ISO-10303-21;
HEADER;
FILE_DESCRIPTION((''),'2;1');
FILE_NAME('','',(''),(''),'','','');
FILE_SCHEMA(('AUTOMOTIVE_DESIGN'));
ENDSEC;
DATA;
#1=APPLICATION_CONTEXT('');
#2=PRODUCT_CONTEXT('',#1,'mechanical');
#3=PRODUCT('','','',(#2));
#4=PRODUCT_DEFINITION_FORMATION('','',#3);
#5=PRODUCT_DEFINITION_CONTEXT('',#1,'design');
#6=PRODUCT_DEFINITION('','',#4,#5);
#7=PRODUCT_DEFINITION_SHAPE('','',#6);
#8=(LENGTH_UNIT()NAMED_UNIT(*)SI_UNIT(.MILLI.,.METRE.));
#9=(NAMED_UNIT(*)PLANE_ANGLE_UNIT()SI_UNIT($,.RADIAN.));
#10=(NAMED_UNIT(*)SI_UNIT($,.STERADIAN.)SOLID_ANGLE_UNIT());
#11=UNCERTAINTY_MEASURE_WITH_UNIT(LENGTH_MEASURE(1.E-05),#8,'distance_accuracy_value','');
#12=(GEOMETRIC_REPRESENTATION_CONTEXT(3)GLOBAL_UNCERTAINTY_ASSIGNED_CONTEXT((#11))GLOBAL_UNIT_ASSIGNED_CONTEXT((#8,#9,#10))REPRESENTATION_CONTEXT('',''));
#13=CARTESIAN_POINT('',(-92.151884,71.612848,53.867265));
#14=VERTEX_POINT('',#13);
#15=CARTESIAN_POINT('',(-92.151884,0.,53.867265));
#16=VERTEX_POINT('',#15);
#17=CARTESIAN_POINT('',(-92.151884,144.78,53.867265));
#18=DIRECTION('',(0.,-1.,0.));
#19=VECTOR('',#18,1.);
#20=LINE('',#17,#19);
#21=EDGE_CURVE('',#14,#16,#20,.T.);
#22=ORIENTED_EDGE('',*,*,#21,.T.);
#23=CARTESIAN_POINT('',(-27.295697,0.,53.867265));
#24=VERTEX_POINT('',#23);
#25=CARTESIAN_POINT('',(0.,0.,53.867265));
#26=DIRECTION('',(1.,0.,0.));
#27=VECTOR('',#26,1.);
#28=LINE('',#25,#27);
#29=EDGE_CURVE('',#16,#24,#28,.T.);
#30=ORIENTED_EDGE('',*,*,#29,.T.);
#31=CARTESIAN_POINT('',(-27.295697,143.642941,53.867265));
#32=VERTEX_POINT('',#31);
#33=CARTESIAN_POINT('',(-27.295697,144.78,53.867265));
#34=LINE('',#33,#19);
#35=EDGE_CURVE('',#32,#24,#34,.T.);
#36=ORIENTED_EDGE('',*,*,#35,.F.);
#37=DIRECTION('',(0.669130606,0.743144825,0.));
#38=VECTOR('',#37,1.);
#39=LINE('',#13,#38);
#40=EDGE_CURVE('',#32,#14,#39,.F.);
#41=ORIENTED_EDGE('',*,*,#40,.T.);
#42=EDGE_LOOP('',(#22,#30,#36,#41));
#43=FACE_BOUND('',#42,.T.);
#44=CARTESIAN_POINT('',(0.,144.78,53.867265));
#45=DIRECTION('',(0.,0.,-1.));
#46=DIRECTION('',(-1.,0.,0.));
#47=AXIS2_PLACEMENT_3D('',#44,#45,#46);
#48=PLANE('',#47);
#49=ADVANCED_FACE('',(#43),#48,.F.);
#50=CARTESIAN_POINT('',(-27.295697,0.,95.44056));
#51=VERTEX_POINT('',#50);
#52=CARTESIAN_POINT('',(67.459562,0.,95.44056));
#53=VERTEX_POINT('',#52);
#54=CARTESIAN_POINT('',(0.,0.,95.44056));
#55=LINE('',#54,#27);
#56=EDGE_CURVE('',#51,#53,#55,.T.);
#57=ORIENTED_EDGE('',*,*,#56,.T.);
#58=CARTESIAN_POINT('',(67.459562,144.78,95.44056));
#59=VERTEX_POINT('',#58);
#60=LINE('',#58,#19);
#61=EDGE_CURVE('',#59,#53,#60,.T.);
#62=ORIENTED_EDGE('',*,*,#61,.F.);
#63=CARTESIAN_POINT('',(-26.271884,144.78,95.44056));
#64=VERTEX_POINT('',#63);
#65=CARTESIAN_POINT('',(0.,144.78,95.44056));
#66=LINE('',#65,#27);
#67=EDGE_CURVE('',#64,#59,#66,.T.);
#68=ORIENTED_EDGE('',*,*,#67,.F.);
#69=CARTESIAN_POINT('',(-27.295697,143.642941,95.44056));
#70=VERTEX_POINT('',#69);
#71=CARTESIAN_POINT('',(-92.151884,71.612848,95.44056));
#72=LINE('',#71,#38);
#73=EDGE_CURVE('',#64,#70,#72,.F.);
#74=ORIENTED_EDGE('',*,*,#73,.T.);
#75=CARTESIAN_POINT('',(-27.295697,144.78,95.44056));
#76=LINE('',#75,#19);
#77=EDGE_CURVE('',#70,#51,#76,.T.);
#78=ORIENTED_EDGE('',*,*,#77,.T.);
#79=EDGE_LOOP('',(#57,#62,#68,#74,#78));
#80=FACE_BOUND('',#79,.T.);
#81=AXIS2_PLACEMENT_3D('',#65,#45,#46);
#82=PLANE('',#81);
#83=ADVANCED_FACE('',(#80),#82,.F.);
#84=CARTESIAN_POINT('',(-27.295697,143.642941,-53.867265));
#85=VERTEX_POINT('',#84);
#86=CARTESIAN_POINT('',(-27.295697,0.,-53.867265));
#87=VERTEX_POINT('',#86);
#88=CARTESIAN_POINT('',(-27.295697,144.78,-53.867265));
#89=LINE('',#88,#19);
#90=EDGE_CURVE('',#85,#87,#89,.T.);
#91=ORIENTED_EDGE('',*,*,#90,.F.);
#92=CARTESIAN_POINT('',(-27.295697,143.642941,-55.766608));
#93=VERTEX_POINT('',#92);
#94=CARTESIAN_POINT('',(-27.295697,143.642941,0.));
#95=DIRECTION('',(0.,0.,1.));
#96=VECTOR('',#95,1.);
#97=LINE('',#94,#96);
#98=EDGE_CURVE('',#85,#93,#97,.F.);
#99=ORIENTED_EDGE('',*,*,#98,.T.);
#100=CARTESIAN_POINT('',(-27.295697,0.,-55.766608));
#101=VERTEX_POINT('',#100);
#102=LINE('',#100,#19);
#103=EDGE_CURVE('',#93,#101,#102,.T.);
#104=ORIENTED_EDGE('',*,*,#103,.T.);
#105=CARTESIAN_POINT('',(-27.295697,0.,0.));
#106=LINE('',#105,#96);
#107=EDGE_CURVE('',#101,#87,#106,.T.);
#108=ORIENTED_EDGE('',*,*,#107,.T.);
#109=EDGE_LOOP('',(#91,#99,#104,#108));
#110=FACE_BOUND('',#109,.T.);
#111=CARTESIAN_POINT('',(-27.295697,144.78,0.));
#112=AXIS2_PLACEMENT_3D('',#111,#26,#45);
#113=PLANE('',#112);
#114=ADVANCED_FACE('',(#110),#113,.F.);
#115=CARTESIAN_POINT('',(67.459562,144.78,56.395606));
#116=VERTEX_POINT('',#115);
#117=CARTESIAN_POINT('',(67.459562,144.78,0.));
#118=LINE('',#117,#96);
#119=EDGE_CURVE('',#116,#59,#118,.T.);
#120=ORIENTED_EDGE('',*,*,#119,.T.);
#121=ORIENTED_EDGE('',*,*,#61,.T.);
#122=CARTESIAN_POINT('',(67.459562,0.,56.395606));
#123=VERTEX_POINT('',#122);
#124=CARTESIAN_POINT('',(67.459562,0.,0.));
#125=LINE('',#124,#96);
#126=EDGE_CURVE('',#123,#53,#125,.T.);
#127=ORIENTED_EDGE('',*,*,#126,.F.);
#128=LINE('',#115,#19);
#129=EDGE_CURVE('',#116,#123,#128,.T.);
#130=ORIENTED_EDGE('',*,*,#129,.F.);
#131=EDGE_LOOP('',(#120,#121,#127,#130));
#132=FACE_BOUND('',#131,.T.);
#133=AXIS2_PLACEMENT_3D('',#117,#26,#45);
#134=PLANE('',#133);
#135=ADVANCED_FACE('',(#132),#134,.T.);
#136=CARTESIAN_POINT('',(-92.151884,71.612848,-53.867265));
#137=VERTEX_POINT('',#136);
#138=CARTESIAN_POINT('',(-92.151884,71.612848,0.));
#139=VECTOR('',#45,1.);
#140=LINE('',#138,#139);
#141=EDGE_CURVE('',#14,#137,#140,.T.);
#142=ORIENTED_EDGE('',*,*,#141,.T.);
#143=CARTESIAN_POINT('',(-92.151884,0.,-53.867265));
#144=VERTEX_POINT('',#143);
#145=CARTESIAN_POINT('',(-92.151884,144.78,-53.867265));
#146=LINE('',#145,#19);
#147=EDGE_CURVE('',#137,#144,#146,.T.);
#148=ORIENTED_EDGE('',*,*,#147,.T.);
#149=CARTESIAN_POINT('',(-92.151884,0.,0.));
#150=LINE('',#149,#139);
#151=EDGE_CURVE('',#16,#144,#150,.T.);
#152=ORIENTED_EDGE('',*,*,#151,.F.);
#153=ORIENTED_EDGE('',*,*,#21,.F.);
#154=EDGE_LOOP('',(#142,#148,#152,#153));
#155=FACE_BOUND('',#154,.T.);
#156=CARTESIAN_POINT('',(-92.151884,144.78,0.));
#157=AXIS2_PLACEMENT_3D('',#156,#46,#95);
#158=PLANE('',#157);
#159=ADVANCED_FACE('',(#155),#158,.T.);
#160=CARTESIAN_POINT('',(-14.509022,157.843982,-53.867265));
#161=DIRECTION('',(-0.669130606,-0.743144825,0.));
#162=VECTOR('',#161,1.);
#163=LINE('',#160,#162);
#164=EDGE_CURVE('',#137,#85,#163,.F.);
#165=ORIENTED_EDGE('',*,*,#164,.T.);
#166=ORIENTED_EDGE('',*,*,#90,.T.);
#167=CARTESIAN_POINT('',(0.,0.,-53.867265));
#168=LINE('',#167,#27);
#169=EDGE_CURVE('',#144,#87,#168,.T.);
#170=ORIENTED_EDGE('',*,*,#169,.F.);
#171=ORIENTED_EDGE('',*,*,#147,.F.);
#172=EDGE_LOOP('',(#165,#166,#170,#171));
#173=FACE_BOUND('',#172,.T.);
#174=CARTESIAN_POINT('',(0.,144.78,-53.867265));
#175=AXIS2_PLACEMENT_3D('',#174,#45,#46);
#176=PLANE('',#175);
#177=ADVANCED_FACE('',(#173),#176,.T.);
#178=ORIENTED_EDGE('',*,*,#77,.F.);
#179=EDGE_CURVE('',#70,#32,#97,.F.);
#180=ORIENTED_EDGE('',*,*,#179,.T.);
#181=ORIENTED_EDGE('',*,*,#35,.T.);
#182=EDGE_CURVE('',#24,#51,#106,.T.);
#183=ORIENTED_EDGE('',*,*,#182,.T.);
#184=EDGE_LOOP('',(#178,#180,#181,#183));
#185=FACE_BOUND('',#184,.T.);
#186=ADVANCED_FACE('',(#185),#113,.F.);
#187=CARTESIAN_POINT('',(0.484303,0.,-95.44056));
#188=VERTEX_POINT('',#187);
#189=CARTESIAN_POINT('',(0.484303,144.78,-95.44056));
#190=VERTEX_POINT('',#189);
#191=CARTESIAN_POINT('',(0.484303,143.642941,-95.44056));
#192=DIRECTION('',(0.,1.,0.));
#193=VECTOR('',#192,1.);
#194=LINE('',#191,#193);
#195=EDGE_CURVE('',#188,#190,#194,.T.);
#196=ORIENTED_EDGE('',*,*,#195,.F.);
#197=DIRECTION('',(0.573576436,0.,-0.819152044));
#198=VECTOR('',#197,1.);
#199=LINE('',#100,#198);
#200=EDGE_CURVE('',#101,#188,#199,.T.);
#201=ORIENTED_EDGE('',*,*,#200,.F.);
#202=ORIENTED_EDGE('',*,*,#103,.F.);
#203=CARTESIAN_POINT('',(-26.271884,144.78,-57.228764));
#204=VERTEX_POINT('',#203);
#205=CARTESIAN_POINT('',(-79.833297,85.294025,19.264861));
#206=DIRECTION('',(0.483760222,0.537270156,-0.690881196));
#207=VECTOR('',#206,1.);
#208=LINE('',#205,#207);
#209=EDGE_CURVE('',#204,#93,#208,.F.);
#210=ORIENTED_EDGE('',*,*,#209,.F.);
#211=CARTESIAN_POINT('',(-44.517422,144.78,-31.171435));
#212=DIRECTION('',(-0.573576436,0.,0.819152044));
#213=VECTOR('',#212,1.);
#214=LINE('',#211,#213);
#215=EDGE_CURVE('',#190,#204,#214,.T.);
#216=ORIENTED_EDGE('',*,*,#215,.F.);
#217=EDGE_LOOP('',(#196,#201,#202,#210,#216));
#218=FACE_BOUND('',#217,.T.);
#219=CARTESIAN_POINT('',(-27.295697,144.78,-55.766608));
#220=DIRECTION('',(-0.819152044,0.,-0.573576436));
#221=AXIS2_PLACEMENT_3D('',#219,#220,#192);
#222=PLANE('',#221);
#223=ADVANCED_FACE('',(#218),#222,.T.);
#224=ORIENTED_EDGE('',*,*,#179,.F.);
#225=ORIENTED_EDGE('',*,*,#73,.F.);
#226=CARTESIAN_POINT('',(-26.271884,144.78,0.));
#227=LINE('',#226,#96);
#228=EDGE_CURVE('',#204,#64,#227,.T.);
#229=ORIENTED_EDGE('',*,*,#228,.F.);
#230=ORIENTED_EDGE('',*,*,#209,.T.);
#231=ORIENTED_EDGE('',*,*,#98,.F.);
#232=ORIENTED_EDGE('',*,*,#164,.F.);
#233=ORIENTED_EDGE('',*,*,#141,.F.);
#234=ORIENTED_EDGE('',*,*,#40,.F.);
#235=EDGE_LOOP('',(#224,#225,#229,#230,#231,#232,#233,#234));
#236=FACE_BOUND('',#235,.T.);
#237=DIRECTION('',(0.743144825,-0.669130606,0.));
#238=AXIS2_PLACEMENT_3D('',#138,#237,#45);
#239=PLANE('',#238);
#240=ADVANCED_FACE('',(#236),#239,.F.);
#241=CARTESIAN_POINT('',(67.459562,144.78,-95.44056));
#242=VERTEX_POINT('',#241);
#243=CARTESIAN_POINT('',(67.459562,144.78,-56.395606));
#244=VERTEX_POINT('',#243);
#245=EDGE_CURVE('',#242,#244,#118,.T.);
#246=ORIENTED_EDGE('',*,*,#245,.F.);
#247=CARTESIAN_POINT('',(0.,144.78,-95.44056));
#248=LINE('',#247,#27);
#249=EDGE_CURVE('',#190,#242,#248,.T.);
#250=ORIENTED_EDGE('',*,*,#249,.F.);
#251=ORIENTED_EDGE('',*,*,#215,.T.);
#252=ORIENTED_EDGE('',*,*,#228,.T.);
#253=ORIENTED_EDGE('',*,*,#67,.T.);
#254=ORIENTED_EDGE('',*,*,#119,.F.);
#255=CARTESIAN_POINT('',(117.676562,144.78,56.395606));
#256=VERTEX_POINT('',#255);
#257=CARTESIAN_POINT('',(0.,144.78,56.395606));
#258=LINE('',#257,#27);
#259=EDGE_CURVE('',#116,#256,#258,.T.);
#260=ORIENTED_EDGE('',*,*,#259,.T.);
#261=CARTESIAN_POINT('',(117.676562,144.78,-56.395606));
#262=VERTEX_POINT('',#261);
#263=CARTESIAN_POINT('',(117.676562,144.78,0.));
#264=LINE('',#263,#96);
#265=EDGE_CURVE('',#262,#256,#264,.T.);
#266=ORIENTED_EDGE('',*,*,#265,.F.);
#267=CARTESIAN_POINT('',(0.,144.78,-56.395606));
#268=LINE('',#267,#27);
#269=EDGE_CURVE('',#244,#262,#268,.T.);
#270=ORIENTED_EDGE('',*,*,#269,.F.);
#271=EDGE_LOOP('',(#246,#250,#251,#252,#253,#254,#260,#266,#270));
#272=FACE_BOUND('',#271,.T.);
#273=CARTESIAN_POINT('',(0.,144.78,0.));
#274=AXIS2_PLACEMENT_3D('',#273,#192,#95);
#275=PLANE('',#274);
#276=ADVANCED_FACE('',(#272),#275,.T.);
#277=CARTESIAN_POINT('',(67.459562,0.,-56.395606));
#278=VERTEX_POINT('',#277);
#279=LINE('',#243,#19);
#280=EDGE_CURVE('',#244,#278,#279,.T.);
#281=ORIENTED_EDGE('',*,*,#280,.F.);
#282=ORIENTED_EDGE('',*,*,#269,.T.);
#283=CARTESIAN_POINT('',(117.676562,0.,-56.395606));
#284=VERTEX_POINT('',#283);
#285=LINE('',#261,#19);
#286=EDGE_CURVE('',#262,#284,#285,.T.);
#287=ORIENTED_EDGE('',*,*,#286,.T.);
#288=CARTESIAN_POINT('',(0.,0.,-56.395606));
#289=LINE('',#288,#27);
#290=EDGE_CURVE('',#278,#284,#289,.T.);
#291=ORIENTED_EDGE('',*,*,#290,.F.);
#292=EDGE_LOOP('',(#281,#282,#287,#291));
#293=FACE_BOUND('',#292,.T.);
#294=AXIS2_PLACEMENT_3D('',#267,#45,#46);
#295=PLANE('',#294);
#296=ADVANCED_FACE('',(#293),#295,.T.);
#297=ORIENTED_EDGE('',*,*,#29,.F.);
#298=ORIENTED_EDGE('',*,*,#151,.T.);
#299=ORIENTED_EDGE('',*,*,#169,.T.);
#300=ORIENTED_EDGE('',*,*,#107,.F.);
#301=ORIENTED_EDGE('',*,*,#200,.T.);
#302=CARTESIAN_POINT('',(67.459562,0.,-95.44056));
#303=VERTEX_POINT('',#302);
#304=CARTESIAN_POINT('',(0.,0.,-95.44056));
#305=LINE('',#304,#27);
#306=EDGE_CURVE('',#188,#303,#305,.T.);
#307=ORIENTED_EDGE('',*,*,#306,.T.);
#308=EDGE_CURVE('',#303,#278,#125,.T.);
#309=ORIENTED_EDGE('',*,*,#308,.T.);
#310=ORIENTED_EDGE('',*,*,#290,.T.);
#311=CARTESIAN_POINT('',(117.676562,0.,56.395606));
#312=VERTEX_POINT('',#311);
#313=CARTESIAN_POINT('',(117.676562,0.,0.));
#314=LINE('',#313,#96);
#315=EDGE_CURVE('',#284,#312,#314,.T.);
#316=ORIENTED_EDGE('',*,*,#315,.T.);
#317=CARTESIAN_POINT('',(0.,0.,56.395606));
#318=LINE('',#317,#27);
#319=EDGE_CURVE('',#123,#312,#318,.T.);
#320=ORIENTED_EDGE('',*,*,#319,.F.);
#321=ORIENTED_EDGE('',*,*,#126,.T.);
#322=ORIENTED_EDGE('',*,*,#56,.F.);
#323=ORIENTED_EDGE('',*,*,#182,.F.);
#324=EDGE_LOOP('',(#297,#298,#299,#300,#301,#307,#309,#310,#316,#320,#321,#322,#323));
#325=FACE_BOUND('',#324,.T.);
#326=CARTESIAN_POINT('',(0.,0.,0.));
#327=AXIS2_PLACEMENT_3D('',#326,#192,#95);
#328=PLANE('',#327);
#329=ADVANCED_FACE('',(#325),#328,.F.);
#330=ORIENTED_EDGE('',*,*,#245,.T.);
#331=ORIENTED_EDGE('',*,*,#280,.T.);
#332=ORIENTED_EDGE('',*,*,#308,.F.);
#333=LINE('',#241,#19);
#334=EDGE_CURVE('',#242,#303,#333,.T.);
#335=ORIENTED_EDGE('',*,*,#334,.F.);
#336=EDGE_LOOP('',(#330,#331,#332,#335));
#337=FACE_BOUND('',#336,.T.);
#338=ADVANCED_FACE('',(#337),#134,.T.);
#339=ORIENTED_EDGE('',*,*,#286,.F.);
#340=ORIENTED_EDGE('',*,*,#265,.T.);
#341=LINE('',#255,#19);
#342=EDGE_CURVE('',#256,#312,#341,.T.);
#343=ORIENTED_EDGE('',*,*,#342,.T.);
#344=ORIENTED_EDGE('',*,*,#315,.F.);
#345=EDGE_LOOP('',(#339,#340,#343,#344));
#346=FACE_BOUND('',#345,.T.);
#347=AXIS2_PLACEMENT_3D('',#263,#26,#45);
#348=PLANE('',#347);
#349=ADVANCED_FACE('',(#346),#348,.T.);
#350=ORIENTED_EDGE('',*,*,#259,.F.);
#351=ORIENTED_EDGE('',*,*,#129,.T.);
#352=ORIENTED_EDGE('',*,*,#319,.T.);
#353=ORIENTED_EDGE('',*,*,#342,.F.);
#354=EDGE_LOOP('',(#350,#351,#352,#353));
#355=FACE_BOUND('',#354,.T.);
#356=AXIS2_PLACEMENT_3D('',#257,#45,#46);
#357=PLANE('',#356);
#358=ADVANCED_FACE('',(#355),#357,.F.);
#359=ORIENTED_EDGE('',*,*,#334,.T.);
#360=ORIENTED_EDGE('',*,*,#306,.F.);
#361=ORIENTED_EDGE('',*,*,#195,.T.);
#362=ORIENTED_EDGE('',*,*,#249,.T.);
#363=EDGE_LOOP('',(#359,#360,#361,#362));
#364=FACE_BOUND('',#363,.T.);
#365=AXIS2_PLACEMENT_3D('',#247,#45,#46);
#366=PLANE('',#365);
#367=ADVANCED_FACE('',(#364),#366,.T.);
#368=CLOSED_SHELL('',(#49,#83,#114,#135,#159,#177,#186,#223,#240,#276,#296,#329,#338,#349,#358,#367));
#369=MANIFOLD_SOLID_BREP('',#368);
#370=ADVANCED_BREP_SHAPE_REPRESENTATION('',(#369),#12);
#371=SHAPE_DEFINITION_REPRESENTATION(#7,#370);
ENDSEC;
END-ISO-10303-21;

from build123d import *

# Parameters (mm, degrees)
SKETCH1_W           = 64.856187625
SKETCH1_H           = 53.867265469
SKETCH1_W_2         = 50.216999898
SKETCH1_H_2         = 56.395605674
BOSS_EXTRUDE1_DEPTH = 144.78
CHAMFER1_SIZE       = 65.88
CHAMFER1_SIZE2      = 73.167152477
CHAMFER2_SIZE       = 27.78
CHAMFER2_SIZE2      = 39.673951627


with BuildPart() as part:
    # Sketch1 → Boss-Extrude1 (new body)
    with BuildSketch(Plane(origin=(0, 0, 0), x_dir=(1, 0, 0), z_dir=(0, 1, 0))):
        with Locations((-59.723790396, -26.933632735)):
            Rectangle(SKETCH1_W, SKETCH1_H)
        with Locations((-59.723790396, 26.933632735)):
            Rectangle(SKETCH1_W, SKETCH1_H)
        Polygon((-27.295696583, 53.867265469), (-27.295696583, 0), (67.459562421, 0), (67.459562421, 56.395605674), (67.459562421, 95.440559589), (-27.295696583, 95.440559589), align=None)
        Polygon((67.459562421, 0), (-27.295696583, 0), (-27.295696583, -53.867265469), (-27.295696583, -95.440559589), (67.459562421, -95.440559589), (67.459562421, -56.395605674), align=None)
        with Locations((92.56806237, 28.197802837)):
            Rectangle(SKETCH1_W_2, SKETCH1_H_2)
        with Locations((92.56806237, -28.197802837)):
            Rectangle(SKETCH1_W_2, SKETCH1_H_2)
    extrude(amount=BOSS_EXTRUDE1_DEPTH)

    # Chamfer1
    chamfer1_edges = [part.edges().sort_by_distance(p)[0] for p in [
        (-92.151884208, 144.78, 0),
    ]]
    chamfer1_side = [part.faces().sort_by_distance(p)[0] for p in [
        (15.2977171, 144.78, 0),
    ]]
    chamfer(chamfer1_edges, length=CHAMFER1_SIZE, length2=CHAMFER1_SIZE2, reference=chamfer1_side[0])

    # Chamfer2
    chamfer2_edges = [part.edges().sort_by_distance(p)[0] for p in [
        (-27.295696583, 71.821470582, -95.440559589),
    ]]
    chamfer2_side = [part.faces().sort_by_distance(p)[0] for p in [
        (20.083928703, 72.386944526, -95.440559589),
    ]]
    chamfer(chamfer2_edges, length=CHAMFER2_SIZE, length2=CHAMFER2_SIZE2, reference=chamfer2_side[0])


solid = part.part
